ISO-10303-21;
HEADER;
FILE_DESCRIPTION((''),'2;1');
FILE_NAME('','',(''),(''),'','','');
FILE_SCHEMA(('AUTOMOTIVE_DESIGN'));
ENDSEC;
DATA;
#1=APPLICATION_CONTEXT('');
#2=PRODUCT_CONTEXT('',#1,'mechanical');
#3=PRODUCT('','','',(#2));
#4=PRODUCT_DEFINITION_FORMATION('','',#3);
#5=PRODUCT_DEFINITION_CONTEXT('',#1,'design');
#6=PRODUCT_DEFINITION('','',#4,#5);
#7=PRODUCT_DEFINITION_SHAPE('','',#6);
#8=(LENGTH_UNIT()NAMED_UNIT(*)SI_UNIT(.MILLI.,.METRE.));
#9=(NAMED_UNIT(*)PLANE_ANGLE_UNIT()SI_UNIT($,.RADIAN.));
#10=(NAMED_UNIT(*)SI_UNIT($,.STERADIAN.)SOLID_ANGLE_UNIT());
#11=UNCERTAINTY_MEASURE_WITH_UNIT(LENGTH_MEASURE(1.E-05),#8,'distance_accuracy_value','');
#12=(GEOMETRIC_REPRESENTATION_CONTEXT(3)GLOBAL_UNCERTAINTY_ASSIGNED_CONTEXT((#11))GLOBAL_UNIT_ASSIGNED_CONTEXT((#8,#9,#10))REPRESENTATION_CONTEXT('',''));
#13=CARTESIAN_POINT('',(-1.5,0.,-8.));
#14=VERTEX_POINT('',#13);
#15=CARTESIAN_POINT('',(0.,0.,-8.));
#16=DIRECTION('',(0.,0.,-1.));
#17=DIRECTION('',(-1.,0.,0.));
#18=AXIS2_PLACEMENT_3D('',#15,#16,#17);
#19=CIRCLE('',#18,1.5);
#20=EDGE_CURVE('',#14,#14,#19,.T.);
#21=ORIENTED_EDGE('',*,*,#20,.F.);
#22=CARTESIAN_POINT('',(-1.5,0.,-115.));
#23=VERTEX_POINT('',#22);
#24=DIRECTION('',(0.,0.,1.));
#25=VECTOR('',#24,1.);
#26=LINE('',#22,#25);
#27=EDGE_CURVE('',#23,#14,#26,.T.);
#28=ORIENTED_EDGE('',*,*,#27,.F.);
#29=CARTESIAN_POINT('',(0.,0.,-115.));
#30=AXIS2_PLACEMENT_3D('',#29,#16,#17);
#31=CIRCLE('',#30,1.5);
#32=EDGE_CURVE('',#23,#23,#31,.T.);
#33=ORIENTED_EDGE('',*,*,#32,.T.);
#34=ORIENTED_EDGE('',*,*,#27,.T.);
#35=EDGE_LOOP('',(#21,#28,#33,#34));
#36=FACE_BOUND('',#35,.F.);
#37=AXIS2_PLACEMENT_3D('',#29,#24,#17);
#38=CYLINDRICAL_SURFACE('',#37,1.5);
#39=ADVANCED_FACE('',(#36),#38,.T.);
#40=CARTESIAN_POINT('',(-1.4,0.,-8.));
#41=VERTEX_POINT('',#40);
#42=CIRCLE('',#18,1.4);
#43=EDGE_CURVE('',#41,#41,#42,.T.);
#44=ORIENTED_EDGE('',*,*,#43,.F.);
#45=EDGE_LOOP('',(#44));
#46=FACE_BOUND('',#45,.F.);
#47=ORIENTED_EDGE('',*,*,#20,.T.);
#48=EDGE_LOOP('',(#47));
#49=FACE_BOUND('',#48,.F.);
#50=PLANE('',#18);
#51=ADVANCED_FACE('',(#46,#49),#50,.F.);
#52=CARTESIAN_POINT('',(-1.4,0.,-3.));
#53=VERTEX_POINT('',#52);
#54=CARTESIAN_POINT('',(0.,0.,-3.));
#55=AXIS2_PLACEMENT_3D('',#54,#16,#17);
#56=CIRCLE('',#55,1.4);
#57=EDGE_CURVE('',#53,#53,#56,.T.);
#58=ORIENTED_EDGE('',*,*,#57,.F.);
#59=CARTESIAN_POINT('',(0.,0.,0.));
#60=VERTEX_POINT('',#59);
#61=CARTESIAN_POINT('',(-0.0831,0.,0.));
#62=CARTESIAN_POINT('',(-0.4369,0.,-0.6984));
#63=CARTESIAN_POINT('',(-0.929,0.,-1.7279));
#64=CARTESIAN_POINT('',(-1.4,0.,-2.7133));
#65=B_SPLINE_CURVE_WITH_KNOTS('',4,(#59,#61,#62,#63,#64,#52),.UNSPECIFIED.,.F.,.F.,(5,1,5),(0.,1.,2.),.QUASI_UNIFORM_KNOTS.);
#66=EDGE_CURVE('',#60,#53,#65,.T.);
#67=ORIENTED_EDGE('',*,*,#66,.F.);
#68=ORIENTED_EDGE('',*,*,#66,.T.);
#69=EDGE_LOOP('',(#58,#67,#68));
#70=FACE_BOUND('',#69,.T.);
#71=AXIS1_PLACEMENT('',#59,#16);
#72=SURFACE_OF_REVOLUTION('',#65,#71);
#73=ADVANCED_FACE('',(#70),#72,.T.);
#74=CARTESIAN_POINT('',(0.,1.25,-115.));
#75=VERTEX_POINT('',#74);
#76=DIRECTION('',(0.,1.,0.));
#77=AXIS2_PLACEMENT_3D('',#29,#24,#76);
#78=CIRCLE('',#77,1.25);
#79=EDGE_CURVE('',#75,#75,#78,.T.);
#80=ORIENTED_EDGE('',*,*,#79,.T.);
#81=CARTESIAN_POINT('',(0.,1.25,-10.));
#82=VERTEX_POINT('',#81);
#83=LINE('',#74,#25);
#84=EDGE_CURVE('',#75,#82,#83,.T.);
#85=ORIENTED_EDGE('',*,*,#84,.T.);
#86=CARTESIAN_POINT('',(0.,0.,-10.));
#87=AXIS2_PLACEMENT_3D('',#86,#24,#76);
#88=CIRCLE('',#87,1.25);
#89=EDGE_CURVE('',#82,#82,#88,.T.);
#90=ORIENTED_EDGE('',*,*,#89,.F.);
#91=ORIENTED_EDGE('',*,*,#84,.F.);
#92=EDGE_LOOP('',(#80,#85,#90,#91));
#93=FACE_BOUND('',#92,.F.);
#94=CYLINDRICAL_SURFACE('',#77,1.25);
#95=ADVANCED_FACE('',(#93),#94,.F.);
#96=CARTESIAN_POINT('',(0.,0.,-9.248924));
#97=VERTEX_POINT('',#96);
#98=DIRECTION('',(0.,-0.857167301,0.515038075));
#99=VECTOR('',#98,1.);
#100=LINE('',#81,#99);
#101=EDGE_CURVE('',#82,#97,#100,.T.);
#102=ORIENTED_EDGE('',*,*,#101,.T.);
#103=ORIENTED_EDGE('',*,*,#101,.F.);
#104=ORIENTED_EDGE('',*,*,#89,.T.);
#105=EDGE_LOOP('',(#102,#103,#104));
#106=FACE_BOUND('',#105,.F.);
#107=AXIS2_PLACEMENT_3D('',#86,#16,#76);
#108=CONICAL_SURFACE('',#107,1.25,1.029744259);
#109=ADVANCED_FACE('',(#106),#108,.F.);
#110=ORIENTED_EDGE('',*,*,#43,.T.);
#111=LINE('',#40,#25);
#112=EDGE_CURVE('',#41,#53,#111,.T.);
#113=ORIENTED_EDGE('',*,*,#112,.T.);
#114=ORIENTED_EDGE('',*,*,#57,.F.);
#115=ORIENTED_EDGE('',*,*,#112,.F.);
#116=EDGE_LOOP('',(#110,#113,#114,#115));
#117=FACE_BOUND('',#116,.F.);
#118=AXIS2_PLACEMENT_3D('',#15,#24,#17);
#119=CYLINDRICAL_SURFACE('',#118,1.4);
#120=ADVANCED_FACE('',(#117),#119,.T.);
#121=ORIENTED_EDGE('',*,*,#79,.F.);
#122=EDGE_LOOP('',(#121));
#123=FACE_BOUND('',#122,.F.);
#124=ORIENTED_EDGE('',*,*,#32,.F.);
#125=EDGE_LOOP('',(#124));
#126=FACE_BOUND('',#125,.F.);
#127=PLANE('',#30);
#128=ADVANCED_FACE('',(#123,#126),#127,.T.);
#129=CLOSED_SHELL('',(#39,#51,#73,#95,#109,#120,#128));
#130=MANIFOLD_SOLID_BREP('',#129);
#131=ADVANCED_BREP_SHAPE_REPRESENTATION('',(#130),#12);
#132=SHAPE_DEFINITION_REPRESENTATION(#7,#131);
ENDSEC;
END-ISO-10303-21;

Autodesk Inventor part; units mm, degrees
ref_plane "YZ Plane" through (0, 0, 0) normal (1, 0, 0) x (0, 1, 0)
ref_plane "XZ Plane" through (0, 0, 0) normal (0, 1, 0) x (-1, 0, 0)
ref_plane "XY Plane" through (0, 0, 0) normal (0, 0, 1) x (1, 0, 0)
sketch "草圖1" plane through (0, 0, 0) normal (0, 1, 0) x (-1, 0, 0)
  line L0 (0, 0) -> (0, -115)
  line L1 (0, -115) -> (1.5, -115)
  line L2 (1.5, -115) -> (1.5, -8)
  line L3 (1.5, -8) -> (1.5, -8.1)
  line L4 (1.5, -8) -> (1.4, -8)
  line L5 (1.4, -8) -> (1.4, -3)
  line L6 (0, 0) -> (0.0831, 0) construction
  line L7 (0.0831, 0) -> (0.4369, -0.6984) construction
  line L8 (0.4369, -0.6984) -> (0.929, -1.7279) construction
  line L9 (0.929, -1.7279) -> (1.4, -2.7133) construction
  line L10 (1.4, -2.7133) -> (1.4, -3) construction
  spline S0 degree 4 poles (0, 0) (0.0831, 0) (0.4369, -0.6984) (0.929, -1.7279) (1.4, -2.7133) (1.4, -3) knots 0 0 0 0 0 1 2 2 2 2 2
  line L11 (1.5, -8) -> (1.5, -21)
  arc A0 (1.5836, -22.9983) -> (1.5, -21) centre (1.5558, -21.9985) ccw
  dimension "d0" = 115
  dimension "d1" = 1.5
  dimension "d2" = 107
  dimension "d4" = 0.1
  dimension "d5" = 5
  dimension "d8" = 13
  dimension "d9" = 2
  dimension "d10" = 1.0001
revolve "迴轉1" add sketch "草圖1" angle 360 about axis through (0, 0, 0) along (0, 0, -1)
sketch "草圖2" plane through (0, 0, -115) normal (0, 0, -1) x (-1, 0, 0)
  point P0 (0, 0)
  point P1 (0, 0)
hole "孔1" at (0, 0, -115) direction (0, 0, 1) diameter 2.5 depth 105 tip angle 118
properties part number "筆芯"
